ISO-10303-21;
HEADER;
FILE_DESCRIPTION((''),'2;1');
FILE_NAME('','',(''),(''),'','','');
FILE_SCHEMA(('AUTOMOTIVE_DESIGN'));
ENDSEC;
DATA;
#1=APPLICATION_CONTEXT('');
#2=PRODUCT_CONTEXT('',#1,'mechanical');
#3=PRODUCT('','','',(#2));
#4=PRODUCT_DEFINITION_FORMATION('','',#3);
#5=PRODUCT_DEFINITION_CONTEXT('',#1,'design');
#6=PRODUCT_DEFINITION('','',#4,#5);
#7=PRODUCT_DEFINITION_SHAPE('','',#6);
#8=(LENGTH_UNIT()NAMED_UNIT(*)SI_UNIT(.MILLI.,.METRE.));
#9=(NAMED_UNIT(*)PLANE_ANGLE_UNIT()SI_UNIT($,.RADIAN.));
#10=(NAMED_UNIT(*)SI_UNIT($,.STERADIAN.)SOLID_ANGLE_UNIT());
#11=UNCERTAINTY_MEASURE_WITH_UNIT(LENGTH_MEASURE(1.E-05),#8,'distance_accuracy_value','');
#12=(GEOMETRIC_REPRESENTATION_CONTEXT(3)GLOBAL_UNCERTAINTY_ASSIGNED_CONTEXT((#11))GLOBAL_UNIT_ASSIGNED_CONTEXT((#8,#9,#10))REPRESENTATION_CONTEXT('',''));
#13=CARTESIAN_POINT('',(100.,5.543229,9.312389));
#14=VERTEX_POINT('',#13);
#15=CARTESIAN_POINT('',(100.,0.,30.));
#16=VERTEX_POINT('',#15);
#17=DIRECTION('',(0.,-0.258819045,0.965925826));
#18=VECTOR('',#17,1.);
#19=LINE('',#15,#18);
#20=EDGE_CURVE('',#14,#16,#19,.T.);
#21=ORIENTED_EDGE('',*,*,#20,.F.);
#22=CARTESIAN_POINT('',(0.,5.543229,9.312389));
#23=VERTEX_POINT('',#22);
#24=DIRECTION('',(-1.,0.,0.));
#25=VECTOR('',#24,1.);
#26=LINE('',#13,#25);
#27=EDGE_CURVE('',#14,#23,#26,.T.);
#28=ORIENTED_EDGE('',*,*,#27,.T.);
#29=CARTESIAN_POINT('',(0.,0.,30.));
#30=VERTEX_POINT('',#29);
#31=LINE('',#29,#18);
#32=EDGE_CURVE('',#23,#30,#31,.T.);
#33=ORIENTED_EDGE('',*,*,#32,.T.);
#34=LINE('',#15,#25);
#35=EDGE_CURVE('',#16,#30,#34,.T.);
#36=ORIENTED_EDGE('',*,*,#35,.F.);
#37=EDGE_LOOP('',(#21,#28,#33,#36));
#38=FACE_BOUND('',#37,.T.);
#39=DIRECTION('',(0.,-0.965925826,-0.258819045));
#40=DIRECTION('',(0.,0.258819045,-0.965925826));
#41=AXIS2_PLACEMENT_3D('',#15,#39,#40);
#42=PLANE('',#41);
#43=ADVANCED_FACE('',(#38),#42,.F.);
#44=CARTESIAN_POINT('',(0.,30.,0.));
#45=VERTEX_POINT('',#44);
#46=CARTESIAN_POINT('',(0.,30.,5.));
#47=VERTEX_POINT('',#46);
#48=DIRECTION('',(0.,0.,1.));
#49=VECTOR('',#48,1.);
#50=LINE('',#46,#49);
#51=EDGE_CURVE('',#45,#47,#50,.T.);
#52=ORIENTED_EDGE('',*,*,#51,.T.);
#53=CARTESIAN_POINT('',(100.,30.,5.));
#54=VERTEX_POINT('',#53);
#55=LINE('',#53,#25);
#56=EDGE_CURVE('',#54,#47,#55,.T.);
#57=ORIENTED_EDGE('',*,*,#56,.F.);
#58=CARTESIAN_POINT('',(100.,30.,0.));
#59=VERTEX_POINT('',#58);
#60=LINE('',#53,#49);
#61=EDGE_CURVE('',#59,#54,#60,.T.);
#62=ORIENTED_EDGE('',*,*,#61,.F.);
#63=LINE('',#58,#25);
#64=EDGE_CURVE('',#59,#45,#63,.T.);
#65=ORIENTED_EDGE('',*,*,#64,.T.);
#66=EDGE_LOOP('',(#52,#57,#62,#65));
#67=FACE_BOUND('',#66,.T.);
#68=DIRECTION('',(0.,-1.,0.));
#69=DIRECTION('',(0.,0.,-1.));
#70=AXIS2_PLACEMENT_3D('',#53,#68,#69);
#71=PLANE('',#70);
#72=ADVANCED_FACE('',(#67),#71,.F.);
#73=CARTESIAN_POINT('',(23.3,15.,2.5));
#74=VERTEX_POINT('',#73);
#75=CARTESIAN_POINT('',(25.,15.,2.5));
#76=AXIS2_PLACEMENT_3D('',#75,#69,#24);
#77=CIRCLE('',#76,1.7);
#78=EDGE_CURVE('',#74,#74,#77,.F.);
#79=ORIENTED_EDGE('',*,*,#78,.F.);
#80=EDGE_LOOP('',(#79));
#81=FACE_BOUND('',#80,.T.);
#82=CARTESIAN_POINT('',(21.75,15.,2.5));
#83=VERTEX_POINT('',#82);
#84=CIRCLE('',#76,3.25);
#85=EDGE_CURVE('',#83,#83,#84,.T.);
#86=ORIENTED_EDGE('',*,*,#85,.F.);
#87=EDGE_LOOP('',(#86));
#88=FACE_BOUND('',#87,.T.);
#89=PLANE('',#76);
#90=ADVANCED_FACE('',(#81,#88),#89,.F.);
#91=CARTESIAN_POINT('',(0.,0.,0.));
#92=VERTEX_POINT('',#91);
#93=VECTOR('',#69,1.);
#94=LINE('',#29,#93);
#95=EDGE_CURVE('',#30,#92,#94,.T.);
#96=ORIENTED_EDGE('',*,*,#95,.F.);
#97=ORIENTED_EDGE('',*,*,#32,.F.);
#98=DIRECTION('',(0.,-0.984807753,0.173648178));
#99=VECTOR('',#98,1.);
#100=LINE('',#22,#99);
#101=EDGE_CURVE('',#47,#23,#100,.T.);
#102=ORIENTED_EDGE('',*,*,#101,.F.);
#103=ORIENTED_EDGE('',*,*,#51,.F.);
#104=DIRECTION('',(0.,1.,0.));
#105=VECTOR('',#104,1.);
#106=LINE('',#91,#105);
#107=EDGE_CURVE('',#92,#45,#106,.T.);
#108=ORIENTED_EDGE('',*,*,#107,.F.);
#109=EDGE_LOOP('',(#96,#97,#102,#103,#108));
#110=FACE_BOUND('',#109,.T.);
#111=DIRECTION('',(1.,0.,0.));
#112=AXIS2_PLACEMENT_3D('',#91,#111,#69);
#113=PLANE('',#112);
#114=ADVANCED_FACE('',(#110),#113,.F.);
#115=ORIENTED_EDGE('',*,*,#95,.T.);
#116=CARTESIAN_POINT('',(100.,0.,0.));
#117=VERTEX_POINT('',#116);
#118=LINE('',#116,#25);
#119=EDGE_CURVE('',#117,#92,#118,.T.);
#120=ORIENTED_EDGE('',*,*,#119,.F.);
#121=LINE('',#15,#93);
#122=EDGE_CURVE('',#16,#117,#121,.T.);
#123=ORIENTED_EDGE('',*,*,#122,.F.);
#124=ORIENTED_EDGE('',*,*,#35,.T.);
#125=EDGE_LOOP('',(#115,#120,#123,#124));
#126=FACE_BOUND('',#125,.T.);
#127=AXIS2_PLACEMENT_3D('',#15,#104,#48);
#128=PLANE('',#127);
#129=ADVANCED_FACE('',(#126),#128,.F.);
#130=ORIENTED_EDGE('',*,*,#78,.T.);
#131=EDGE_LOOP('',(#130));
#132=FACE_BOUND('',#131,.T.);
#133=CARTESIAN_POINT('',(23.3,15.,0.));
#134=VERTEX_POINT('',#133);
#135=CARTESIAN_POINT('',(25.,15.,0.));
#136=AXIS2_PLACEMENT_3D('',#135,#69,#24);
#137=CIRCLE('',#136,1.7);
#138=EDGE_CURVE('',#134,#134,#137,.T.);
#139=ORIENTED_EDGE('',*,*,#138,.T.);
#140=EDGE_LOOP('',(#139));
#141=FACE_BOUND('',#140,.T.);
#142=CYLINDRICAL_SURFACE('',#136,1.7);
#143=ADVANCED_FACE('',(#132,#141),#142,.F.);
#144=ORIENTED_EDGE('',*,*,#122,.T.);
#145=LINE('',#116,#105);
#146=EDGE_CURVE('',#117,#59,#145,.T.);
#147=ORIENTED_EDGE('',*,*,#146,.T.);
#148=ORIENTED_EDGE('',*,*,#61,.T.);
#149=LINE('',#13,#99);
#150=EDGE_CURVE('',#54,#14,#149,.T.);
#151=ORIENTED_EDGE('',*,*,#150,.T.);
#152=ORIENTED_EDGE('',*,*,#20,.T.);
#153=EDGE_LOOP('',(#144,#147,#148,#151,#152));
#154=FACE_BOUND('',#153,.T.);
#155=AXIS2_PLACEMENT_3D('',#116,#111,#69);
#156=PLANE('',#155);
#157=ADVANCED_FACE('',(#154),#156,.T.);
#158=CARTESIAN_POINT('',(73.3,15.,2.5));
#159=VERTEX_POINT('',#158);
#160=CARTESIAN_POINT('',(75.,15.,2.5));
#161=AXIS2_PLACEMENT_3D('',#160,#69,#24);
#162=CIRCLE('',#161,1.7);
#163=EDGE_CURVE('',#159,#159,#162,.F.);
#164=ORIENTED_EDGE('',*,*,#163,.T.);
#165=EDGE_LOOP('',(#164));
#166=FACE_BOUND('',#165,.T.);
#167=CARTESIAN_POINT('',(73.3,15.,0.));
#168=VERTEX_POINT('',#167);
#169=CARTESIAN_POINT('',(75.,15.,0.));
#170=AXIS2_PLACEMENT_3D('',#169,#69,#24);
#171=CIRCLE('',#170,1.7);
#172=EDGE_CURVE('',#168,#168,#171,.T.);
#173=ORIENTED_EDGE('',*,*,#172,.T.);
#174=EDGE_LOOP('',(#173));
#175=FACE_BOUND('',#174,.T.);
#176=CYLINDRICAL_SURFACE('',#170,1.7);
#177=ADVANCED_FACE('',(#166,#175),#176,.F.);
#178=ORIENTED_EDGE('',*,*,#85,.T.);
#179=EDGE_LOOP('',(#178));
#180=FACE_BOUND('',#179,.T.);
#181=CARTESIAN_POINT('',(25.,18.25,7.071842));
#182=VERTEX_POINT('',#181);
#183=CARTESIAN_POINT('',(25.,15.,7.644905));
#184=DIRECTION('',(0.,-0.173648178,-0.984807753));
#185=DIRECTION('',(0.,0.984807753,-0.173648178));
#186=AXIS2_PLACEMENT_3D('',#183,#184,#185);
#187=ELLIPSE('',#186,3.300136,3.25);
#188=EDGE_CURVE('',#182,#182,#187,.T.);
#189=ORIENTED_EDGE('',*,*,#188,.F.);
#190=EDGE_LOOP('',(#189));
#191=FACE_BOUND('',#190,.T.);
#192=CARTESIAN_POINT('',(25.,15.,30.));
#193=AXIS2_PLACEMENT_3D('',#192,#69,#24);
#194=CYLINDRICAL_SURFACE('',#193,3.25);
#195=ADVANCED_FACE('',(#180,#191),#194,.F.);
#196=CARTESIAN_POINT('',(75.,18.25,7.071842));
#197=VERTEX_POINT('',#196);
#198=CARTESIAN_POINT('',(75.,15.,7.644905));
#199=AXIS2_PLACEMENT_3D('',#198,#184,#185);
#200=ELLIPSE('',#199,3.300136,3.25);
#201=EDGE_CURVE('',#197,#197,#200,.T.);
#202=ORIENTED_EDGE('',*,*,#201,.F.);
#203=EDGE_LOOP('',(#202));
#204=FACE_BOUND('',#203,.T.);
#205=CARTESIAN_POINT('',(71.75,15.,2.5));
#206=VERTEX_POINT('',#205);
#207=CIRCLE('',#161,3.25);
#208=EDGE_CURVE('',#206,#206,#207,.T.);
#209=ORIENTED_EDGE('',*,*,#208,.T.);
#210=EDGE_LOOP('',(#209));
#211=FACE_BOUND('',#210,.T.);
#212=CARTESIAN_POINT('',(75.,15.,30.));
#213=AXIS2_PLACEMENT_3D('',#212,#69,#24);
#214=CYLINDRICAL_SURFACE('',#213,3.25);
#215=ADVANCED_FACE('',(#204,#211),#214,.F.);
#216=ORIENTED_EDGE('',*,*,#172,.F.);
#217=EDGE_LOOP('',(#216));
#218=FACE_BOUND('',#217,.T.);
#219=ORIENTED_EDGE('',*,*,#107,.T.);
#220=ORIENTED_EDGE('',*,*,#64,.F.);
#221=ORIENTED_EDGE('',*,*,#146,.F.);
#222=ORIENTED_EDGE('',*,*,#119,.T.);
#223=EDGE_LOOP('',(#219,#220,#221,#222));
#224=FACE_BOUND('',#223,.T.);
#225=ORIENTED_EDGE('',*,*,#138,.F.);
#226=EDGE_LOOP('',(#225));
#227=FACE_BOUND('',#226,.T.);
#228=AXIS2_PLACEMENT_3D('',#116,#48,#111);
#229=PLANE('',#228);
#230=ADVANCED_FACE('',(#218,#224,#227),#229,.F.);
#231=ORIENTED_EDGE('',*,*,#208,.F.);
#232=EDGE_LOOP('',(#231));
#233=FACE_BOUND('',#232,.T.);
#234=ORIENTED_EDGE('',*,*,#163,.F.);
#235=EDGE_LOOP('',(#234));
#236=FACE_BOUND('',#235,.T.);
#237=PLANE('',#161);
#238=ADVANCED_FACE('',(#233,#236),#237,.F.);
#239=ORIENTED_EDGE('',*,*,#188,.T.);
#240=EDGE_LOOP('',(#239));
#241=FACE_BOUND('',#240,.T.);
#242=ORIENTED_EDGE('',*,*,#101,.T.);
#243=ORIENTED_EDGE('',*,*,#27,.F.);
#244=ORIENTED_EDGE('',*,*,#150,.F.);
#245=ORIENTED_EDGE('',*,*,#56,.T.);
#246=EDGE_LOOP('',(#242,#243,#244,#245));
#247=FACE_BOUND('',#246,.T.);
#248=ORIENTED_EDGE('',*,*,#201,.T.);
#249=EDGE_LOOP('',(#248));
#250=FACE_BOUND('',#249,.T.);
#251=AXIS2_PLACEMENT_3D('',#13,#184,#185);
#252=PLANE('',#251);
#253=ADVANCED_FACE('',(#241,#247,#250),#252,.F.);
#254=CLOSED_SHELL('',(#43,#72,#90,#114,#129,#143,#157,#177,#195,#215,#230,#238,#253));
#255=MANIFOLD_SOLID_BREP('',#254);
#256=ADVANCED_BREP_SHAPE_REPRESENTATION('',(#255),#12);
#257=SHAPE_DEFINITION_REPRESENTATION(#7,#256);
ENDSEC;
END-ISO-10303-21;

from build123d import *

# Parameters (mm, degrees)
BOSS_EXTRUDE1_DEPTH  = 100
M3_CLEARANCE_HOLE1_D = 3.4
SKETCH4_R            = 3.25
CUT_EXTRUDE1_DEPTH   = 108.964114408


with BuildPart() as part:
    # Sketch1 → Boss-Extrude1 (new body)
    with BuildSketch(Plane(origin=(0, 0, 0), x_dir=(0, 0, -1), z_dir=(1, 0, 0))):
        Polygon((0, 0), (0, 30), (-5, 30), (-9.312388631, 5.54322876), (-30, 0), align=None)
    extrude(amount=BOSS_EXTRUDE1_DEPTH)

    # M3 Clearance Hole1 (through all)
    with Locations(Plane(origin=(0, 0, 0), x_dir=(-1, 0, 0), z_dir=(0, 0, -1))):
        with Locations((-25, 15), (-75, 15)):
            Hole(M3_CLEARANCE_HOLE1_D / 2)

    # Sketch4 → Cut-Extrude1 (cut, through all)
    with BuildSketch(Plane(origin=(0, 0, 2.5), x_dir=(-1, 0, 0), z_dir=(0, 0, -1))):
        with Locations((-75, 15)):
            Circle(SKETCH4_R)
        with Locations((-25, 15)):
            Circle(SKETCH4_R)
    extrude(amount=-CUT_EXTRUDE1_DEPTH, mode=Mode.SUBTRACT)


solid = part.part
